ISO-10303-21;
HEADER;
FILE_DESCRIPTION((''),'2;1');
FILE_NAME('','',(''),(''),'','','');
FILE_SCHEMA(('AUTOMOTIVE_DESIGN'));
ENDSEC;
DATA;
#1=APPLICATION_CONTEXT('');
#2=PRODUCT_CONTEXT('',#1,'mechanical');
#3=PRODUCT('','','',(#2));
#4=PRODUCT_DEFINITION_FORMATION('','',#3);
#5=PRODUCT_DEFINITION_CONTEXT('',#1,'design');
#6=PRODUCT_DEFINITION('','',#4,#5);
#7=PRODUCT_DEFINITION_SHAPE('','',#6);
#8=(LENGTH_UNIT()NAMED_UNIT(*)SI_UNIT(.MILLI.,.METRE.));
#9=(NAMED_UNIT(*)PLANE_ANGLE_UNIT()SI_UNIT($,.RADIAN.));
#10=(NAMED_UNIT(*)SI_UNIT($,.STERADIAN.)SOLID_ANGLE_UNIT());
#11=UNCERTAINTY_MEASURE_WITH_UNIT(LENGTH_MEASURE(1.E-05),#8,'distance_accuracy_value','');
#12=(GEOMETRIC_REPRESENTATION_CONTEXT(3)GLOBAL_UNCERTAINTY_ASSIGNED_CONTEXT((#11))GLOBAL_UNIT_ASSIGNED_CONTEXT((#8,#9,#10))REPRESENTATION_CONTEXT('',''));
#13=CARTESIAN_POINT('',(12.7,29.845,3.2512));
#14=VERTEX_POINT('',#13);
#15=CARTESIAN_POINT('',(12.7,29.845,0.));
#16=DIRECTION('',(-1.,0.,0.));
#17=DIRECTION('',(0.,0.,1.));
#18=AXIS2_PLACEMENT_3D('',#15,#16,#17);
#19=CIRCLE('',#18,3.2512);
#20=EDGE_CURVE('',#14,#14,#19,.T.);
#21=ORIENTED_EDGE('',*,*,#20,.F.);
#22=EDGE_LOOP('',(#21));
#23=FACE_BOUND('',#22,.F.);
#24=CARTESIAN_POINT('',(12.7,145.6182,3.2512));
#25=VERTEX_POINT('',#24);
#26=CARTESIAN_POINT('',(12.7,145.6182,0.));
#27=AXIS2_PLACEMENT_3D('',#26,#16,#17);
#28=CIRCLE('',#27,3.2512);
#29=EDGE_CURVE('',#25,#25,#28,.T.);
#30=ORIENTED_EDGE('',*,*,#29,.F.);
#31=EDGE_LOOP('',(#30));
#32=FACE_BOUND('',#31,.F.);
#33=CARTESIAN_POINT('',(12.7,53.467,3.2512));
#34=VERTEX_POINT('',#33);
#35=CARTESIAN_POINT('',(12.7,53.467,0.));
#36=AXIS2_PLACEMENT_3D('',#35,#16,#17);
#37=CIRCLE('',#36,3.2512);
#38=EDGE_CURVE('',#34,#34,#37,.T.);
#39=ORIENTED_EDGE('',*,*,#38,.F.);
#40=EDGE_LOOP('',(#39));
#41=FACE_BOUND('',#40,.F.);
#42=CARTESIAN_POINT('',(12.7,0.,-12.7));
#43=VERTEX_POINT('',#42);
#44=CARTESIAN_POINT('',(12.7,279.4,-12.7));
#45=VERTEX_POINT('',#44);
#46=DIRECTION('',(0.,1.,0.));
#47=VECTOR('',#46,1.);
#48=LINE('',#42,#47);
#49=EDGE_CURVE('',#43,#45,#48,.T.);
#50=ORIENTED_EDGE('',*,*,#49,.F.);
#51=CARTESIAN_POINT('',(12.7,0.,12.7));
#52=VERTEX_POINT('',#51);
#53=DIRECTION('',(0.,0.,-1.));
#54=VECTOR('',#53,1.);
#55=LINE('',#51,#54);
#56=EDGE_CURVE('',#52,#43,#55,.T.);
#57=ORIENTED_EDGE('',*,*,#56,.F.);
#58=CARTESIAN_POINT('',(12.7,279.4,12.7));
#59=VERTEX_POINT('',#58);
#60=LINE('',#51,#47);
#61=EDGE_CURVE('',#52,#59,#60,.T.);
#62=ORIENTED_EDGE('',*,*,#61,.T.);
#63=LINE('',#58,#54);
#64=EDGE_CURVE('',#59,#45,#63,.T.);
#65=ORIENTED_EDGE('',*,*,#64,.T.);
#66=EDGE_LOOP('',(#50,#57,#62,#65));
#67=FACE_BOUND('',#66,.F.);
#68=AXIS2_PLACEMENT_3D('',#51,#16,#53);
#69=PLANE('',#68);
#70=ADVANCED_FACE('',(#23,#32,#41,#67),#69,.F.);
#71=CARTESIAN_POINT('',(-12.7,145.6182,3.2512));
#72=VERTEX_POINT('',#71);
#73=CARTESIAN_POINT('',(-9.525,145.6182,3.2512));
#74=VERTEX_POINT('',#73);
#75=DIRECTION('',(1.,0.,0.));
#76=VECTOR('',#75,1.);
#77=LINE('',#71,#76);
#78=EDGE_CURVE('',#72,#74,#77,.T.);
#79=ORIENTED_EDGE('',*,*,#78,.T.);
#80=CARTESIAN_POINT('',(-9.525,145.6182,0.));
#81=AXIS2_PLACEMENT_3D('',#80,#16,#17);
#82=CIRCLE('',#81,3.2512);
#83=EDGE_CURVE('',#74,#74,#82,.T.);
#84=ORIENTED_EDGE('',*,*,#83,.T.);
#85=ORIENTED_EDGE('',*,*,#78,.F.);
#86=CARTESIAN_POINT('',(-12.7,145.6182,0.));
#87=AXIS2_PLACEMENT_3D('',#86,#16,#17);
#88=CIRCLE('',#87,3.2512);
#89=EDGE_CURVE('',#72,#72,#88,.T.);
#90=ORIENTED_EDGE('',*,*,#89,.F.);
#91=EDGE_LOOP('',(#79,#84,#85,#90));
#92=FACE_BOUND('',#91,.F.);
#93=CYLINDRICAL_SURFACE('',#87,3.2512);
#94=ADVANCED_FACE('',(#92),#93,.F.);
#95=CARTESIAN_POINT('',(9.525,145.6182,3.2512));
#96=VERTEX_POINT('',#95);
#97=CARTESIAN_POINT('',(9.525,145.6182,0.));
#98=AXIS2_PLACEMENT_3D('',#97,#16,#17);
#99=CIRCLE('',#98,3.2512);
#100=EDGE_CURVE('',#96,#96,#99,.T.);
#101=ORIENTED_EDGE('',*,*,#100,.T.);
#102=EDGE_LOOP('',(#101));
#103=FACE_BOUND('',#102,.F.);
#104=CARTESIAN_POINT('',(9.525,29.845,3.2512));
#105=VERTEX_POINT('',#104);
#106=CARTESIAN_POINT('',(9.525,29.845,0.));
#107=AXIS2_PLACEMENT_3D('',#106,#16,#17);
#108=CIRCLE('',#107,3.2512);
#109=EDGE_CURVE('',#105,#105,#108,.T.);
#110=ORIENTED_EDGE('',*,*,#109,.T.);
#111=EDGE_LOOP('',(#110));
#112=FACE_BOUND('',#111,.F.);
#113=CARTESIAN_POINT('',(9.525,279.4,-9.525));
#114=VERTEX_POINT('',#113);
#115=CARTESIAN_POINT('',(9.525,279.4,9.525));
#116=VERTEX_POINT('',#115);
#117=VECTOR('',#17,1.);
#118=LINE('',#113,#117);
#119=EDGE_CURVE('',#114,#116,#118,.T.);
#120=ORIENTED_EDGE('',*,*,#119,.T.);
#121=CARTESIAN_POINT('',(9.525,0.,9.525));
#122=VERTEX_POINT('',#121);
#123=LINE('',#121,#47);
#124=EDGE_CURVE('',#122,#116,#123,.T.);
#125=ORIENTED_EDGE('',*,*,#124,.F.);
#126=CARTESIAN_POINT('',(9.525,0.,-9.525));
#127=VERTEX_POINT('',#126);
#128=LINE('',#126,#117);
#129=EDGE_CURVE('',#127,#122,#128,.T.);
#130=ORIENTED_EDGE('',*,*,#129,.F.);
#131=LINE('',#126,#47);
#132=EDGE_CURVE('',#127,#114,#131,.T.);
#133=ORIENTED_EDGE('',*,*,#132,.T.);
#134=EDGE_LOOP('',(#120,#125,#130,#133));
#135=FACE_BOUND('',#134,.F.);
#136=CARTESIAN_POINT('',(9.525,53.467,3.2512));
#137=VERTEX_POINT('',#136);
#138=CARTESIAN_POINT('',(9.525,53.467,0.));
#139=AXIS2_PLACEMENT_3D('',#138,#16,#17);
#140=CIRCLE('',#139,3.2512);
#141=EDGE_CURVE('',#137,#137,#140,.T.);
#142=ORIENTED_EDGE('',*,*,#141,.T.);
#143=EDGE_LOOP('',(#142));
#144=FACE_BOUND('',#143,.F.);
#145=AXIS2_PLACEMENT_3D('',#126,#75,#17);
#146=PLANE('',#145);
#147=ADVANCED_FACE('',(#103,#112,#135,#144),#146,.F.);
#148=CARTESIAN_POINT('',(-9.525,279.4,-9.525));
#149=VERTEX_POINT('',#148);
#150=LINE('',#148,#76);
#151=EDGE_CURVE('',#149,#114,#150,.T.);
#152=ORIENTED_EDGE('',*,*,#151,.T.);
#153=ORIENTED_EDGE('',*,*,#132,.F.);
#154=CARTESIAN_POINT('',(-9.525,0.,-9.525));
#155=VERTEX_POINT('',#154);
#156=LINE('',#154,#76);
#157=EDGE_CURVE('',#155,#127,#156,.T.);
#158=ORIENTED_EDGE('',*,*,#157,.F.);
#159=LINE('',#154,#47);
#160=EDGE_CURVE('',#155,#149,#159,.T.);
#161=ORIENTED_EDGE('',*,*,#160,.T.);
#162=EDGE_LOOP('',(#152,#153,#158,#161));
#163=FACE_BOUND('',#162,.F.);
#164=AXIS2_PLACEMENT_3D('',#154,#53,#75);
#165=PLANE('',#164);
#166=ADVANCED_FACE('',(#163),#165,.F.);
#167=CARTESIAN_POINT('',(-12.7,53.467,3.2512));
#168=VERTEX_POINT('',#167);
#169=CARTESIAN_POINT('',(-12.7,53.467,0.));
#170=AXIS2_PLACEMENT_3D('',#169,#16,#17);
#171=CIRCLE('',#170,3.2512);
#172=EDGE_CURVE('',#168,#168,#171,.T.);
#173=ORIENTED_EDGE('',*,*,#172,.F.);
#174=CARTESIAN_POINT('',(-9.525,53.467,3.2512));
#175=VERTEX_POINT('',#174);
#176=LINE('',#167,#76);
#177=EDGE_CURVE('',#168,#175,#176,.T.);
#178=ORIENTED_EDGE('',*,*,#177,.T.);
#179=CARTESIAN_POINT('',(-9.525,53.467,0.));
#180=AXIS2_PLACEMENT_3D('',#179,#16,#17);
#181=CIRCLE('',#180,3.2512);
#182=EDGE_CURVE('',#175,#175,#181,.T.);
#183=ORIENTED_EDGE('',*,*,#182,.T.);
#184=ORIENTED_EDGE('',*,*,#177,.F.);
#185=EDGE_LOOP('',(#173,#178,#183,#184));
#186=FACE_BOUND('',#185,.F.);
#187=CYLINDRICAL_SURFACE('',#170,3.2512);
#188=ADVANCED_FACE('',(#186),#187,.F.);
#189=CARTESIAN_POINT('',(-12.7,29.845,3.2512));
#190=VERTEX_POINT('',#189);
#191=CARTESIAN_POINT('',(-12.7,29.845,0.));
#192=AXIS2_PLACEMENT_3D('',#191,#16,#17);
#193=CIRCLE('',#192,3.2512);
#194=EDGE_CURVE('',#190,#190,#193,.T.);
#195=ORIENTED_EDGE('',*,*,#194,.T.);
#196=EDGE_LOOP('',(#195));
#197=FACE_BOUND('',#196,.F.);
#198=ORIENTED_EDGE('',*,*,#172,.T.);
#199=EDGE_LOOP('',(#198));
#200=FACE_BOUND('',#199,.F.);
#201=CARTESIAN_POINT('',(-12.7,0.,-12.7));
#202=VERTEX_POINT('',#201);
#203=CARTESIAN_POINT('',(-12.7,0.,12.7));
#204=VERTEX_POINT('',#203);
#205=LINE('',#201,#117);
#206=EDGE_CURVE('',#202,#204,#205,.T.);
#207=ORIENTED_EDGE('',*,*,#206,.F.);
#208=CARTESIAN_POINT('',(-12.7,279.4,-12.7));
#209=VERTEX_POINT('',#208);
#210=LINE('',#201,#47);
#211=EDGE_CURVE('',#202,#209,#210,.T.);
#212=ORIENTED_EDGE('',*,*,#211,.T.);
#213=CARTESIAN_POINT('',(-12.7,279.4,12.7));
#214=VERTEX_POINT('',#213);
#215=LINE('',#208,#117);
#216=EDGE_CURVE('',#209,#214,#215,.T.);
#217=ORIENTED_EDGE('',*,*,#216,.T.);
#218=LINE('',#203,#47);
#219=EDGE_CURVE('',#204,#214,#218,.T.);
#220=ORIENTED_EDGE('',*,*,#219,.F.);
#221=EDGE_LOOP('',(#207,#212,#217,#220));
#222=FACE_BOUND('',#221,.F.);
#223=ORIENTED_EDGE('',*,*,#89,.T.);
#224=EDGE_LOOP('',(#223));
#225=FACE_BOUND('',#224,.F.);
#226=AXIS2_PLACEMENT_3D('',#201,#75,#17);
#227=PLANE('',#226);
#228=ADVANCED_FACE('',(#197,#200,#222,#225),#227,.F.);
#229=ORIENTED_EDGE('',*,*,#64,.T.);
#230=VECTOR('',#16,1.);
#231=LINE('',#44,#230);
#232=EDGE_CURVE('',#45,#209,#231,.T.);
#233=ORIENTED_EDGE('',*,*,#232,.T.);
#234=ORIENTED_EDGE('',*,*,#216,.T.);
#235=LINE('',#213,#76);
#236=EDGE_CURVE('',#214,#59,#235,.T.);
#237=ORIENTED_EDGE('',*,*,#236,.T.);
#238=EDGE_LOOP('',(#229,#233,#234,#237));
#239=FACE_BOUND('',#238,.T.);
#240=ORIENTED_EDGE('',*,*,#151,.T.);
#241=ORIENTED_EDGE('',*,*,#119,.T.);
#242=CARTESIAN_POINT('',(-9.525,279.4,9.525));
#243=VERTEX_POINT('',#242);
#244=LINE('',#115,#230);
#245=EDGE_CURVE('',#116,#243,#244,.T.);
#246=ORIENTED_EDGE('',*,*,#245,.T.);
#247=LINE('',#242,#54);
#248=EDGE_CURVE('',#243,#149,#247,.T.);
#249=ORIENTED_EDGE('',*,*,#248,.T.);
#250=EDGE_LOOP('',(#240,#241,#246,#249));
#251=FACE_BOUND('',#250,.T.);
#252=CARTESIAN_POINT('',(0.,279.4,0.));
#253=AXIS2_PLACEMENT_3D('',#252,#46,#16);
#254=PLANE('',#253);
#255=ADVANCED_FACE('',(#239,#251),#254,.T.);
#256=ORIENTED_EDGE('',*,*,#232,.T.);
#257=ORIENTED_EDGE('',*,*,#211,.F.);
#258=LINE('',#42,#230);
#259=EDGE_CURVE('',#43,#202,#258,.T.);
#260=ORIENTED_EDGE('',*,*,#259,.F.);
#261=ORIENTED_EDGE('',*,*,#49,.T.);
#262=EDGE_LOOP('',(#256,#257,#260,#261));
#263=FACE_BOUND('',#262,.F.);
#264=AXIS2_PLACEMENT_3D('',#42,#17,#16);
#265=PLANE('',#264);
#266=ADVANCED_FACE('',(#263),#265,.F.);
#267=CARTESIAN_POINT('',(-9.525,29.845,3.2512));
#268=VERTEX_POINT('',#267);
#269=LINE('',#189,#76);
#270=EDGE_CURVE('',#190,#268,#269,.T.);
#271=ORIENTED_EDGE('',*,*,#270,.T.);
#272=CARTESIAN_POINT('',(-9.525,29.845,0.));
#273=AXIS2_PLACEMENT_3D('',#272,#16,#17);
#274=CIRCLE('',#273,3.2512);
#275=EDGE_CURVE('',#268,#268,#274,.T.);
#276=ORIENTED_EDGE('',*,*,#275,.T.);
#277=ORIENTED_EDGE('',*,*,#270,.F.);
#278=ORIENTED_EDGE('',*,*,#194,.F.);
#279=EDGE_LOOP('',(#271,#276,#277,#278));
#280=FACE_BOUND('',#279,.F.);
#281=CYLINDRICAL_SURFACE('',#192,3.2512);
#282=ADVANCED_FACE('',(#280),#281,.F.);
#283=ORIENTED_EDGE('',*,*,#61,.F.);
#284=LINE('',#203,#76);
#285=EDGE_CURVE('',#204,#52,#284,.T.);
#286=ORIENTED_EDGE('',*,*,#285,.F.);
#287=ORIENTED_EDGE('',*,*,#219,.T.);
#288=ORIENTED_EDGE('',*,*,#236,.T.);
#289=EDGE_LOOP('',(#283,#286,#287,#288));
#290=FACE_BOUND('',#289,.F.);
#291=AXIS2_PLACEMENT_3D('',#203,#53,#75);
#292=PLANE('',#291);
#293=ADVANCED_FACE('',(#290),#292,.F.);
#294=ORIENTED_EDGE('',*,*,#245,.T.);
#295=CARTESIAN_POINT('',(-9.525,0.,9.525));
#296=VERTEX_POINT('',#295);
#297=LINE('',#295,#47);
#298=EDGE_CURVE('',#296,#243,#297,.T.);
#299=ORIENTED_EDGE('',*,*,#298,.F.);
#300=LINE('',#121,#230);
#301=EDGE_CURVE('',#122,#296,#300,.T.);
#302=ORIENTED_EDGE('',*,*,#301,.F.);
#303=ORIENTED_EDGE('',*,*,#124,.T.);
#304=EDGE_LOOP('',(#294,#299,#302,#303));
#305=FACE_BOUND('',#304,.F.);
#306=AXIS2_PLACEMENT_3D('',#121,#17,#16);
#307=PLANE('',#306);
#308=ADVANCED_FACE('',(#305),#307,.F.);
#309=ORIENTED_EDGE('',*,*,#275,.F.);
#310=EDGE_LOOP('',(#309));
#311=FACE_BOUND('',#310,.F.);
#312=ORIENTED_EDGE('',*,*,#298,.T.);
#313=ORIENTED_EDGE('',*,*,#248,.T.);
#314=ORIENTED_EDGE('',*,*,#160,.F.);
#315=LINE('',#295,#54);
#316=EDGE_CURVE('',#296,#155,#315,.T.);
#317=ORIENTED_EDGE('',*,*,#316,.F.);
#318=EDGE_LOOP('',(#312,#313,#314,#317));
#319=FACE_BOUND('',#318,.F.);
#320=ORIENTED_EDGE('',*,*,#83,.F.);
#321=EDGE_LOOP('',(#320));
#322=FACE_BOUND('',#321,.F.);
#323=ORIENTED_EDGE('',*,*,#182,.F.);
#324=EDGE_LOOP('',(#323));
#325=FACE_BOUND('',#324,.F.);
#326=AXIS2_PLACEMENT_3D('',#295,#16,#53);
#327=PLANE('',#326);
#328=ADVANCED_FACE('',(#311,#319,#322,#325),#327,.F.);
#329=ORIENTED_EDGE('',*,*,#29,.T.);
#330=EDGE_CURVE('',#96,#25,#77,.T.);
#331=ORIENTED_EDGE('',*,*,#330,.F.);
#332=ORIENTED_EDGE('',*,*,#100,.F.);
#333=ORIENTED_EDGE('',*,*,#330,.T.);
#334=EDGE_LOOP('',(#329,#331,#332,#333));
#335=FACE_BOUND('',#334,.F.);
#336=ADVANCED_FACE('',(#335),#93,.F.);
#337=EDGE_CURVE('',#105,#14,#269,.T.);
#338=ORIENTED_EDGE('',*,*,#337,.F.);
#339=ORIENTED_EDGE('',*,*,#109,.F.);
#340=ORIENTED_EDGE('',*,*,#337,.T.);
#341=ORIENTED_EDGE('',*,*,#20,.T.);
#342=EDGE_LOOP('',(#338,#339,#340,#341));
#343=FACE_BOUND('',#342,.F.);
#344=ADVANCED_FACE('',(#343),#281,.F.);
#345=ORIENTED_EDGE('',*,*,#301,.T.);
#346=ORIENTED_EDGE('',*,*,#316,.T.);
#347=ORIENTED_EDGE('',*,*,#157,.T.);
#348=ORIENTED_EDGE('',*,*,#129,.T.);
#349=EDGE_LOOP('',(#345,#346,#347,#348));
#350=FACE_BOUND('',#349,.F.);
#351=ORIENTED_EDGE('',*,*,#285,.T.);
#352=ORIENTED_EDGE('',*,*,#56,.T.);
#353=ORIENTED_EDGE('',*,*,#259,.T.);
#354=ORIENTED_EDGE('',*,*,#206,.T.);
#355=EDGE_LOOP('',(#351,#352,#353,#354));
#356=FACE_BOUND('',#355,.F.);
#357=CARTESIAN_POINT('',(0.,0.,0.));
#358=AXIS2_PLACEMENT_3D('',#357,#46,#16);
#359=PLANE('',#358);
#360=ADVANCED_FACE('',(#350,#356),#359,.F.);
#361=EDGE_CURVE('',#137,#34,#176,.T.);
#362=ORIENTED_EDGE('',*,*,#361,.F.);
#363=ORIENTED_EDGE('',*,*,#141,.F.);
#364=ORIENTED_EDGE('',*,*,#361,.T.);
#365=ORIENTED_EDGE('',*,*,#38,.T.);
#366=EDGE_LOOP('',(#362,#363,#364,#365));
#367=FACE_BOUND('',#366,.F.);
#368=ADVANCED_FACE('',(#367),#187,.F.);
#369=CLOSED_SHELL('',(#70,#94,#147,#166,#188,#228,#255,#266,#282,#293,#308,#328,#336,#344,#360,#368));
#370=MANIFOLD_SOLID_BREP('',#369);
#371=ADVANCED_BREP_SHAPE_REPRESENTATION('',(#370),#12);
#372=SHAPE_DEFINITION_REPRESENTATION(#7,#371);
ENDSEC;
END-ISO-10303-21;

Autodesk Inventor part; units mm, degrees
ref_plane "YZ Plane" through (0, 0, 0) normal (1, 0, 0) x (0, 1, 0)
ref_plane "XZ Plane" through (0, 0, 0) normal (0, 1, 0) x (-1, 0, 0)
ref_plane "XY Plane" through (0, 0, 0) normal (0, 0, 1) x (1, 0, 0)
sketch "Sketch1" plane through (0, 0, 0) normal (0, 1, 0) x (-1, 0, 0)
  line L0 (-12.7, -12.7) -> (12.7, -12.7)
  line L1 (12.7, -12.7) -> (12.7, 12.7)
  line L2 (12.7, 12.7) -> (-12.7, 12.7)
  line L3 (-12.7, 12.7) -> (-12.7, -12.7)
  line L4 (-12.7, -12.7) -> (12.7, 12.7) construction
  line L5 (12.7, -12.7) -> (-12.7, 12.7) construction
  line L6 (-9.525, 9.525) -> (9.525, 9.525)
  line L7 (9.525, 9.525) -> (9.525, -9.525)
  line L8 (9.525, -9.525) -> (-9.525, -9.525)
  line L9 (-9.525, -9.525) -> (-9.525, 9.525)
  point P0 (0, 0)
  dimension "d0" = 25.4
  dimension "d1" = 25.4
  dimension "d2" = 3.175
extrude "Extrusion1" add sketch "Sketch1" along normal blind 279.4
sketch "Sketch2" plane through (-12.7, 0, -12.7) normal (-1, 0, 0) x (0, 0, 1)
  line L0 (22.225, 279.4) -> (3.175, 279.4) projected
  line L1 (12.7, 279.4) -> (12.7, 145.6182) construction
  line L2 (12.7, 0) -> (12.7, 29.845) construction
  circle A0 centre (12.7, 145.6182) radius 3.2512
  circle A1 centre (12.7, 29.845) radius 3.2512
  line L3 (12.7, 0) -> (12.7, 53.467) construction
  circle A2 centre (12.7, 53.467) radius 3.2512
  line L4 (0, 0) -> (25.4, 0) construction
  dimension "d5" = 6.5024
  dimension "d6" = 133.7818
  dimension "d7" = 6.5024
  dimension "d8" = 29.845
  dimension "d11" = 53.467
  dimension "d12" = 6.5024
extrude "Extrusion2" cut sketch "Sketch2" against normal blind 25.4 contours A0 | A1
extrude "Extrusion3" cut sketch "Sketch2" against normal blind 25.4 contours A2
properties part number "STRU_023_Kenji_11in" material "Aluminum 6061"
